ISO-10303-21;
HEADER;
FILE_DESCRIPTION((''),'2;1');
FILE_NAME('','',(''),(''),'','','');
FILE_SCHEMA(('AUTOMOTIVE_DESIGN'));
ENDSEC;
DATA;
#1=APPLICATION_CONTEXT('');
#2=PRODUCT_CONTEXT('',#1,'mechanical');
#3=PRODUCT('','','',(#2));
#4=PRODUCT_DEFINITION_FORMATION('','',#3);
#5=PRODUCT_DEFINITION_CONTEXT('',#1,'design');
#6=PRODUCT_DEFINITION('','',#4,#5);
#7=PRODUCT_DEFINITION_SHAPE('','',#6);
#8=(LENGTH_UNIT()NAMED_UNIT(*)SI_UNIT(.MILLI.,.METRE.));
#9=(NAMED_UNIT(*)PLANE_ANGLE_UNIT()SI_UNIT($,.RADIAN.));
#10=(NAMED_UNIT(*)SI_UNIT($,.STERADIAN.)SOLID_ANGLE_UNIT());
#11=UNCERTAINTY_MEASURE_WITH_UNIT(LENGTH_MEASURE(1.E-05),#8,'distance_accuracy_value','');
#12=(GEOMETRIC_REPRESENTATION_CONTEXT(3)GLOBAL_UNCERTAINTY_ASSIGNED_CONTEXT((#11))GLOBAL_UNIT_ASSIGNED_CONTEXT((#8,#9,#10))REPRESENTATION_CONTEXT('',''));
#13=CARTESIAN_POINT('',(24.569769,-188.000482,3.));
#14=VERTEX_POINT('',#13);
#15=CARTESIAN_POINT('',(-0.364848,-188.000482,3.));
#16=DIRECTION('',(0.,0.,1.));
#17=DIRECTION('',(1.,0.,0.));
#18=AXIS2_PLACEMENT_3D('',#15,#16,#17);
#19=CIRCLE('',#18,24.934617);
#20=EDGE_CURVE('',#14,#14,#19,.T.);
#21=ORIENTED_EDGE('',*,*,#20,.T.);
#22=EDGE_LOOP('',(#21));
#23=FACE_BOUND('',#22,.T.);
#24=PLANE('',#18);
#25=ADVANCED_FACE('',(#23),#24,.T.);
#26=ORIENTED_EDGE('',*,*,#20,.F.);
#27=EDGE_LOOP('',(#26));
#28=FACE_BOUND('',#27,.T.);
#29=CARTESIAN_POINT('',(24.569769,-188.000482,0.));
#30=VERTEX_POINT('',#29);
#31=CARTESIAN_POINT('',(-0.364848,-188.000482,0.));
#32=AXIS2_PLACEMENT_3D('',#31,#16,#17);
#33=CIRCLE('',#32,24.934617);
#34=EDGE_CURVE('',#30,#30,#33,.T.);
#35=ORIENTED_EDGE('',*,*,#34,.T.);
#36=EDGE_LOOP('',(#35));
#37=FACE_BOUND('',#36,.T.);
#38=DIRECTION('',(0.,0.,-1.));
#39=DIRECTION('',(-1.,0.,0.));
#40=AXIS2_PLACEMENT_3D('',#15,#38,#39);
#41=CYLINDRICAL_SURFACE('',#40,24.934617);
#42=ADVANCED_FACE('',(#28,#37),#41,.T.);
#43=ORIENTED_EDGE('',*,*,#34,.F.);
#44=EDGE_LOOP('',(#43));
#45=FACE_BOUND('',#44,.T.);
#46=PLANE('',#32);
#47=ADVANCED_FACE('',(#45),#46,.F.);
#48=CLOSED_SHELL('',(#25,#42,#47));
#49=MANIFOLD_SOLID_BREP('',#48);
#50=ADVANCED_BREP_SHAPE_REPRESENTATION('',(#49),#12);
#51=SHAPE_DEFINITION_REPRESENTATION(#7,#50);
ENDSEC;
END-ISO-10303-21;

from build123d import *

# Parameters (mm, degrees)
SKETCH_1_R      = 24.9346171
EXTRUDE_1_DEPTH = 3


with BuildPart() as part:
    # 草图1 → 凸台-拉伸1 (new body)
    with BuildSketch(Plane.XY):
        with Locations((-0.364847958, -188.000481983)):
            Circle(SKETCH_1_R)
    extrude(amount=EXTRUDE_1_DEPTH)


solid = part.part
